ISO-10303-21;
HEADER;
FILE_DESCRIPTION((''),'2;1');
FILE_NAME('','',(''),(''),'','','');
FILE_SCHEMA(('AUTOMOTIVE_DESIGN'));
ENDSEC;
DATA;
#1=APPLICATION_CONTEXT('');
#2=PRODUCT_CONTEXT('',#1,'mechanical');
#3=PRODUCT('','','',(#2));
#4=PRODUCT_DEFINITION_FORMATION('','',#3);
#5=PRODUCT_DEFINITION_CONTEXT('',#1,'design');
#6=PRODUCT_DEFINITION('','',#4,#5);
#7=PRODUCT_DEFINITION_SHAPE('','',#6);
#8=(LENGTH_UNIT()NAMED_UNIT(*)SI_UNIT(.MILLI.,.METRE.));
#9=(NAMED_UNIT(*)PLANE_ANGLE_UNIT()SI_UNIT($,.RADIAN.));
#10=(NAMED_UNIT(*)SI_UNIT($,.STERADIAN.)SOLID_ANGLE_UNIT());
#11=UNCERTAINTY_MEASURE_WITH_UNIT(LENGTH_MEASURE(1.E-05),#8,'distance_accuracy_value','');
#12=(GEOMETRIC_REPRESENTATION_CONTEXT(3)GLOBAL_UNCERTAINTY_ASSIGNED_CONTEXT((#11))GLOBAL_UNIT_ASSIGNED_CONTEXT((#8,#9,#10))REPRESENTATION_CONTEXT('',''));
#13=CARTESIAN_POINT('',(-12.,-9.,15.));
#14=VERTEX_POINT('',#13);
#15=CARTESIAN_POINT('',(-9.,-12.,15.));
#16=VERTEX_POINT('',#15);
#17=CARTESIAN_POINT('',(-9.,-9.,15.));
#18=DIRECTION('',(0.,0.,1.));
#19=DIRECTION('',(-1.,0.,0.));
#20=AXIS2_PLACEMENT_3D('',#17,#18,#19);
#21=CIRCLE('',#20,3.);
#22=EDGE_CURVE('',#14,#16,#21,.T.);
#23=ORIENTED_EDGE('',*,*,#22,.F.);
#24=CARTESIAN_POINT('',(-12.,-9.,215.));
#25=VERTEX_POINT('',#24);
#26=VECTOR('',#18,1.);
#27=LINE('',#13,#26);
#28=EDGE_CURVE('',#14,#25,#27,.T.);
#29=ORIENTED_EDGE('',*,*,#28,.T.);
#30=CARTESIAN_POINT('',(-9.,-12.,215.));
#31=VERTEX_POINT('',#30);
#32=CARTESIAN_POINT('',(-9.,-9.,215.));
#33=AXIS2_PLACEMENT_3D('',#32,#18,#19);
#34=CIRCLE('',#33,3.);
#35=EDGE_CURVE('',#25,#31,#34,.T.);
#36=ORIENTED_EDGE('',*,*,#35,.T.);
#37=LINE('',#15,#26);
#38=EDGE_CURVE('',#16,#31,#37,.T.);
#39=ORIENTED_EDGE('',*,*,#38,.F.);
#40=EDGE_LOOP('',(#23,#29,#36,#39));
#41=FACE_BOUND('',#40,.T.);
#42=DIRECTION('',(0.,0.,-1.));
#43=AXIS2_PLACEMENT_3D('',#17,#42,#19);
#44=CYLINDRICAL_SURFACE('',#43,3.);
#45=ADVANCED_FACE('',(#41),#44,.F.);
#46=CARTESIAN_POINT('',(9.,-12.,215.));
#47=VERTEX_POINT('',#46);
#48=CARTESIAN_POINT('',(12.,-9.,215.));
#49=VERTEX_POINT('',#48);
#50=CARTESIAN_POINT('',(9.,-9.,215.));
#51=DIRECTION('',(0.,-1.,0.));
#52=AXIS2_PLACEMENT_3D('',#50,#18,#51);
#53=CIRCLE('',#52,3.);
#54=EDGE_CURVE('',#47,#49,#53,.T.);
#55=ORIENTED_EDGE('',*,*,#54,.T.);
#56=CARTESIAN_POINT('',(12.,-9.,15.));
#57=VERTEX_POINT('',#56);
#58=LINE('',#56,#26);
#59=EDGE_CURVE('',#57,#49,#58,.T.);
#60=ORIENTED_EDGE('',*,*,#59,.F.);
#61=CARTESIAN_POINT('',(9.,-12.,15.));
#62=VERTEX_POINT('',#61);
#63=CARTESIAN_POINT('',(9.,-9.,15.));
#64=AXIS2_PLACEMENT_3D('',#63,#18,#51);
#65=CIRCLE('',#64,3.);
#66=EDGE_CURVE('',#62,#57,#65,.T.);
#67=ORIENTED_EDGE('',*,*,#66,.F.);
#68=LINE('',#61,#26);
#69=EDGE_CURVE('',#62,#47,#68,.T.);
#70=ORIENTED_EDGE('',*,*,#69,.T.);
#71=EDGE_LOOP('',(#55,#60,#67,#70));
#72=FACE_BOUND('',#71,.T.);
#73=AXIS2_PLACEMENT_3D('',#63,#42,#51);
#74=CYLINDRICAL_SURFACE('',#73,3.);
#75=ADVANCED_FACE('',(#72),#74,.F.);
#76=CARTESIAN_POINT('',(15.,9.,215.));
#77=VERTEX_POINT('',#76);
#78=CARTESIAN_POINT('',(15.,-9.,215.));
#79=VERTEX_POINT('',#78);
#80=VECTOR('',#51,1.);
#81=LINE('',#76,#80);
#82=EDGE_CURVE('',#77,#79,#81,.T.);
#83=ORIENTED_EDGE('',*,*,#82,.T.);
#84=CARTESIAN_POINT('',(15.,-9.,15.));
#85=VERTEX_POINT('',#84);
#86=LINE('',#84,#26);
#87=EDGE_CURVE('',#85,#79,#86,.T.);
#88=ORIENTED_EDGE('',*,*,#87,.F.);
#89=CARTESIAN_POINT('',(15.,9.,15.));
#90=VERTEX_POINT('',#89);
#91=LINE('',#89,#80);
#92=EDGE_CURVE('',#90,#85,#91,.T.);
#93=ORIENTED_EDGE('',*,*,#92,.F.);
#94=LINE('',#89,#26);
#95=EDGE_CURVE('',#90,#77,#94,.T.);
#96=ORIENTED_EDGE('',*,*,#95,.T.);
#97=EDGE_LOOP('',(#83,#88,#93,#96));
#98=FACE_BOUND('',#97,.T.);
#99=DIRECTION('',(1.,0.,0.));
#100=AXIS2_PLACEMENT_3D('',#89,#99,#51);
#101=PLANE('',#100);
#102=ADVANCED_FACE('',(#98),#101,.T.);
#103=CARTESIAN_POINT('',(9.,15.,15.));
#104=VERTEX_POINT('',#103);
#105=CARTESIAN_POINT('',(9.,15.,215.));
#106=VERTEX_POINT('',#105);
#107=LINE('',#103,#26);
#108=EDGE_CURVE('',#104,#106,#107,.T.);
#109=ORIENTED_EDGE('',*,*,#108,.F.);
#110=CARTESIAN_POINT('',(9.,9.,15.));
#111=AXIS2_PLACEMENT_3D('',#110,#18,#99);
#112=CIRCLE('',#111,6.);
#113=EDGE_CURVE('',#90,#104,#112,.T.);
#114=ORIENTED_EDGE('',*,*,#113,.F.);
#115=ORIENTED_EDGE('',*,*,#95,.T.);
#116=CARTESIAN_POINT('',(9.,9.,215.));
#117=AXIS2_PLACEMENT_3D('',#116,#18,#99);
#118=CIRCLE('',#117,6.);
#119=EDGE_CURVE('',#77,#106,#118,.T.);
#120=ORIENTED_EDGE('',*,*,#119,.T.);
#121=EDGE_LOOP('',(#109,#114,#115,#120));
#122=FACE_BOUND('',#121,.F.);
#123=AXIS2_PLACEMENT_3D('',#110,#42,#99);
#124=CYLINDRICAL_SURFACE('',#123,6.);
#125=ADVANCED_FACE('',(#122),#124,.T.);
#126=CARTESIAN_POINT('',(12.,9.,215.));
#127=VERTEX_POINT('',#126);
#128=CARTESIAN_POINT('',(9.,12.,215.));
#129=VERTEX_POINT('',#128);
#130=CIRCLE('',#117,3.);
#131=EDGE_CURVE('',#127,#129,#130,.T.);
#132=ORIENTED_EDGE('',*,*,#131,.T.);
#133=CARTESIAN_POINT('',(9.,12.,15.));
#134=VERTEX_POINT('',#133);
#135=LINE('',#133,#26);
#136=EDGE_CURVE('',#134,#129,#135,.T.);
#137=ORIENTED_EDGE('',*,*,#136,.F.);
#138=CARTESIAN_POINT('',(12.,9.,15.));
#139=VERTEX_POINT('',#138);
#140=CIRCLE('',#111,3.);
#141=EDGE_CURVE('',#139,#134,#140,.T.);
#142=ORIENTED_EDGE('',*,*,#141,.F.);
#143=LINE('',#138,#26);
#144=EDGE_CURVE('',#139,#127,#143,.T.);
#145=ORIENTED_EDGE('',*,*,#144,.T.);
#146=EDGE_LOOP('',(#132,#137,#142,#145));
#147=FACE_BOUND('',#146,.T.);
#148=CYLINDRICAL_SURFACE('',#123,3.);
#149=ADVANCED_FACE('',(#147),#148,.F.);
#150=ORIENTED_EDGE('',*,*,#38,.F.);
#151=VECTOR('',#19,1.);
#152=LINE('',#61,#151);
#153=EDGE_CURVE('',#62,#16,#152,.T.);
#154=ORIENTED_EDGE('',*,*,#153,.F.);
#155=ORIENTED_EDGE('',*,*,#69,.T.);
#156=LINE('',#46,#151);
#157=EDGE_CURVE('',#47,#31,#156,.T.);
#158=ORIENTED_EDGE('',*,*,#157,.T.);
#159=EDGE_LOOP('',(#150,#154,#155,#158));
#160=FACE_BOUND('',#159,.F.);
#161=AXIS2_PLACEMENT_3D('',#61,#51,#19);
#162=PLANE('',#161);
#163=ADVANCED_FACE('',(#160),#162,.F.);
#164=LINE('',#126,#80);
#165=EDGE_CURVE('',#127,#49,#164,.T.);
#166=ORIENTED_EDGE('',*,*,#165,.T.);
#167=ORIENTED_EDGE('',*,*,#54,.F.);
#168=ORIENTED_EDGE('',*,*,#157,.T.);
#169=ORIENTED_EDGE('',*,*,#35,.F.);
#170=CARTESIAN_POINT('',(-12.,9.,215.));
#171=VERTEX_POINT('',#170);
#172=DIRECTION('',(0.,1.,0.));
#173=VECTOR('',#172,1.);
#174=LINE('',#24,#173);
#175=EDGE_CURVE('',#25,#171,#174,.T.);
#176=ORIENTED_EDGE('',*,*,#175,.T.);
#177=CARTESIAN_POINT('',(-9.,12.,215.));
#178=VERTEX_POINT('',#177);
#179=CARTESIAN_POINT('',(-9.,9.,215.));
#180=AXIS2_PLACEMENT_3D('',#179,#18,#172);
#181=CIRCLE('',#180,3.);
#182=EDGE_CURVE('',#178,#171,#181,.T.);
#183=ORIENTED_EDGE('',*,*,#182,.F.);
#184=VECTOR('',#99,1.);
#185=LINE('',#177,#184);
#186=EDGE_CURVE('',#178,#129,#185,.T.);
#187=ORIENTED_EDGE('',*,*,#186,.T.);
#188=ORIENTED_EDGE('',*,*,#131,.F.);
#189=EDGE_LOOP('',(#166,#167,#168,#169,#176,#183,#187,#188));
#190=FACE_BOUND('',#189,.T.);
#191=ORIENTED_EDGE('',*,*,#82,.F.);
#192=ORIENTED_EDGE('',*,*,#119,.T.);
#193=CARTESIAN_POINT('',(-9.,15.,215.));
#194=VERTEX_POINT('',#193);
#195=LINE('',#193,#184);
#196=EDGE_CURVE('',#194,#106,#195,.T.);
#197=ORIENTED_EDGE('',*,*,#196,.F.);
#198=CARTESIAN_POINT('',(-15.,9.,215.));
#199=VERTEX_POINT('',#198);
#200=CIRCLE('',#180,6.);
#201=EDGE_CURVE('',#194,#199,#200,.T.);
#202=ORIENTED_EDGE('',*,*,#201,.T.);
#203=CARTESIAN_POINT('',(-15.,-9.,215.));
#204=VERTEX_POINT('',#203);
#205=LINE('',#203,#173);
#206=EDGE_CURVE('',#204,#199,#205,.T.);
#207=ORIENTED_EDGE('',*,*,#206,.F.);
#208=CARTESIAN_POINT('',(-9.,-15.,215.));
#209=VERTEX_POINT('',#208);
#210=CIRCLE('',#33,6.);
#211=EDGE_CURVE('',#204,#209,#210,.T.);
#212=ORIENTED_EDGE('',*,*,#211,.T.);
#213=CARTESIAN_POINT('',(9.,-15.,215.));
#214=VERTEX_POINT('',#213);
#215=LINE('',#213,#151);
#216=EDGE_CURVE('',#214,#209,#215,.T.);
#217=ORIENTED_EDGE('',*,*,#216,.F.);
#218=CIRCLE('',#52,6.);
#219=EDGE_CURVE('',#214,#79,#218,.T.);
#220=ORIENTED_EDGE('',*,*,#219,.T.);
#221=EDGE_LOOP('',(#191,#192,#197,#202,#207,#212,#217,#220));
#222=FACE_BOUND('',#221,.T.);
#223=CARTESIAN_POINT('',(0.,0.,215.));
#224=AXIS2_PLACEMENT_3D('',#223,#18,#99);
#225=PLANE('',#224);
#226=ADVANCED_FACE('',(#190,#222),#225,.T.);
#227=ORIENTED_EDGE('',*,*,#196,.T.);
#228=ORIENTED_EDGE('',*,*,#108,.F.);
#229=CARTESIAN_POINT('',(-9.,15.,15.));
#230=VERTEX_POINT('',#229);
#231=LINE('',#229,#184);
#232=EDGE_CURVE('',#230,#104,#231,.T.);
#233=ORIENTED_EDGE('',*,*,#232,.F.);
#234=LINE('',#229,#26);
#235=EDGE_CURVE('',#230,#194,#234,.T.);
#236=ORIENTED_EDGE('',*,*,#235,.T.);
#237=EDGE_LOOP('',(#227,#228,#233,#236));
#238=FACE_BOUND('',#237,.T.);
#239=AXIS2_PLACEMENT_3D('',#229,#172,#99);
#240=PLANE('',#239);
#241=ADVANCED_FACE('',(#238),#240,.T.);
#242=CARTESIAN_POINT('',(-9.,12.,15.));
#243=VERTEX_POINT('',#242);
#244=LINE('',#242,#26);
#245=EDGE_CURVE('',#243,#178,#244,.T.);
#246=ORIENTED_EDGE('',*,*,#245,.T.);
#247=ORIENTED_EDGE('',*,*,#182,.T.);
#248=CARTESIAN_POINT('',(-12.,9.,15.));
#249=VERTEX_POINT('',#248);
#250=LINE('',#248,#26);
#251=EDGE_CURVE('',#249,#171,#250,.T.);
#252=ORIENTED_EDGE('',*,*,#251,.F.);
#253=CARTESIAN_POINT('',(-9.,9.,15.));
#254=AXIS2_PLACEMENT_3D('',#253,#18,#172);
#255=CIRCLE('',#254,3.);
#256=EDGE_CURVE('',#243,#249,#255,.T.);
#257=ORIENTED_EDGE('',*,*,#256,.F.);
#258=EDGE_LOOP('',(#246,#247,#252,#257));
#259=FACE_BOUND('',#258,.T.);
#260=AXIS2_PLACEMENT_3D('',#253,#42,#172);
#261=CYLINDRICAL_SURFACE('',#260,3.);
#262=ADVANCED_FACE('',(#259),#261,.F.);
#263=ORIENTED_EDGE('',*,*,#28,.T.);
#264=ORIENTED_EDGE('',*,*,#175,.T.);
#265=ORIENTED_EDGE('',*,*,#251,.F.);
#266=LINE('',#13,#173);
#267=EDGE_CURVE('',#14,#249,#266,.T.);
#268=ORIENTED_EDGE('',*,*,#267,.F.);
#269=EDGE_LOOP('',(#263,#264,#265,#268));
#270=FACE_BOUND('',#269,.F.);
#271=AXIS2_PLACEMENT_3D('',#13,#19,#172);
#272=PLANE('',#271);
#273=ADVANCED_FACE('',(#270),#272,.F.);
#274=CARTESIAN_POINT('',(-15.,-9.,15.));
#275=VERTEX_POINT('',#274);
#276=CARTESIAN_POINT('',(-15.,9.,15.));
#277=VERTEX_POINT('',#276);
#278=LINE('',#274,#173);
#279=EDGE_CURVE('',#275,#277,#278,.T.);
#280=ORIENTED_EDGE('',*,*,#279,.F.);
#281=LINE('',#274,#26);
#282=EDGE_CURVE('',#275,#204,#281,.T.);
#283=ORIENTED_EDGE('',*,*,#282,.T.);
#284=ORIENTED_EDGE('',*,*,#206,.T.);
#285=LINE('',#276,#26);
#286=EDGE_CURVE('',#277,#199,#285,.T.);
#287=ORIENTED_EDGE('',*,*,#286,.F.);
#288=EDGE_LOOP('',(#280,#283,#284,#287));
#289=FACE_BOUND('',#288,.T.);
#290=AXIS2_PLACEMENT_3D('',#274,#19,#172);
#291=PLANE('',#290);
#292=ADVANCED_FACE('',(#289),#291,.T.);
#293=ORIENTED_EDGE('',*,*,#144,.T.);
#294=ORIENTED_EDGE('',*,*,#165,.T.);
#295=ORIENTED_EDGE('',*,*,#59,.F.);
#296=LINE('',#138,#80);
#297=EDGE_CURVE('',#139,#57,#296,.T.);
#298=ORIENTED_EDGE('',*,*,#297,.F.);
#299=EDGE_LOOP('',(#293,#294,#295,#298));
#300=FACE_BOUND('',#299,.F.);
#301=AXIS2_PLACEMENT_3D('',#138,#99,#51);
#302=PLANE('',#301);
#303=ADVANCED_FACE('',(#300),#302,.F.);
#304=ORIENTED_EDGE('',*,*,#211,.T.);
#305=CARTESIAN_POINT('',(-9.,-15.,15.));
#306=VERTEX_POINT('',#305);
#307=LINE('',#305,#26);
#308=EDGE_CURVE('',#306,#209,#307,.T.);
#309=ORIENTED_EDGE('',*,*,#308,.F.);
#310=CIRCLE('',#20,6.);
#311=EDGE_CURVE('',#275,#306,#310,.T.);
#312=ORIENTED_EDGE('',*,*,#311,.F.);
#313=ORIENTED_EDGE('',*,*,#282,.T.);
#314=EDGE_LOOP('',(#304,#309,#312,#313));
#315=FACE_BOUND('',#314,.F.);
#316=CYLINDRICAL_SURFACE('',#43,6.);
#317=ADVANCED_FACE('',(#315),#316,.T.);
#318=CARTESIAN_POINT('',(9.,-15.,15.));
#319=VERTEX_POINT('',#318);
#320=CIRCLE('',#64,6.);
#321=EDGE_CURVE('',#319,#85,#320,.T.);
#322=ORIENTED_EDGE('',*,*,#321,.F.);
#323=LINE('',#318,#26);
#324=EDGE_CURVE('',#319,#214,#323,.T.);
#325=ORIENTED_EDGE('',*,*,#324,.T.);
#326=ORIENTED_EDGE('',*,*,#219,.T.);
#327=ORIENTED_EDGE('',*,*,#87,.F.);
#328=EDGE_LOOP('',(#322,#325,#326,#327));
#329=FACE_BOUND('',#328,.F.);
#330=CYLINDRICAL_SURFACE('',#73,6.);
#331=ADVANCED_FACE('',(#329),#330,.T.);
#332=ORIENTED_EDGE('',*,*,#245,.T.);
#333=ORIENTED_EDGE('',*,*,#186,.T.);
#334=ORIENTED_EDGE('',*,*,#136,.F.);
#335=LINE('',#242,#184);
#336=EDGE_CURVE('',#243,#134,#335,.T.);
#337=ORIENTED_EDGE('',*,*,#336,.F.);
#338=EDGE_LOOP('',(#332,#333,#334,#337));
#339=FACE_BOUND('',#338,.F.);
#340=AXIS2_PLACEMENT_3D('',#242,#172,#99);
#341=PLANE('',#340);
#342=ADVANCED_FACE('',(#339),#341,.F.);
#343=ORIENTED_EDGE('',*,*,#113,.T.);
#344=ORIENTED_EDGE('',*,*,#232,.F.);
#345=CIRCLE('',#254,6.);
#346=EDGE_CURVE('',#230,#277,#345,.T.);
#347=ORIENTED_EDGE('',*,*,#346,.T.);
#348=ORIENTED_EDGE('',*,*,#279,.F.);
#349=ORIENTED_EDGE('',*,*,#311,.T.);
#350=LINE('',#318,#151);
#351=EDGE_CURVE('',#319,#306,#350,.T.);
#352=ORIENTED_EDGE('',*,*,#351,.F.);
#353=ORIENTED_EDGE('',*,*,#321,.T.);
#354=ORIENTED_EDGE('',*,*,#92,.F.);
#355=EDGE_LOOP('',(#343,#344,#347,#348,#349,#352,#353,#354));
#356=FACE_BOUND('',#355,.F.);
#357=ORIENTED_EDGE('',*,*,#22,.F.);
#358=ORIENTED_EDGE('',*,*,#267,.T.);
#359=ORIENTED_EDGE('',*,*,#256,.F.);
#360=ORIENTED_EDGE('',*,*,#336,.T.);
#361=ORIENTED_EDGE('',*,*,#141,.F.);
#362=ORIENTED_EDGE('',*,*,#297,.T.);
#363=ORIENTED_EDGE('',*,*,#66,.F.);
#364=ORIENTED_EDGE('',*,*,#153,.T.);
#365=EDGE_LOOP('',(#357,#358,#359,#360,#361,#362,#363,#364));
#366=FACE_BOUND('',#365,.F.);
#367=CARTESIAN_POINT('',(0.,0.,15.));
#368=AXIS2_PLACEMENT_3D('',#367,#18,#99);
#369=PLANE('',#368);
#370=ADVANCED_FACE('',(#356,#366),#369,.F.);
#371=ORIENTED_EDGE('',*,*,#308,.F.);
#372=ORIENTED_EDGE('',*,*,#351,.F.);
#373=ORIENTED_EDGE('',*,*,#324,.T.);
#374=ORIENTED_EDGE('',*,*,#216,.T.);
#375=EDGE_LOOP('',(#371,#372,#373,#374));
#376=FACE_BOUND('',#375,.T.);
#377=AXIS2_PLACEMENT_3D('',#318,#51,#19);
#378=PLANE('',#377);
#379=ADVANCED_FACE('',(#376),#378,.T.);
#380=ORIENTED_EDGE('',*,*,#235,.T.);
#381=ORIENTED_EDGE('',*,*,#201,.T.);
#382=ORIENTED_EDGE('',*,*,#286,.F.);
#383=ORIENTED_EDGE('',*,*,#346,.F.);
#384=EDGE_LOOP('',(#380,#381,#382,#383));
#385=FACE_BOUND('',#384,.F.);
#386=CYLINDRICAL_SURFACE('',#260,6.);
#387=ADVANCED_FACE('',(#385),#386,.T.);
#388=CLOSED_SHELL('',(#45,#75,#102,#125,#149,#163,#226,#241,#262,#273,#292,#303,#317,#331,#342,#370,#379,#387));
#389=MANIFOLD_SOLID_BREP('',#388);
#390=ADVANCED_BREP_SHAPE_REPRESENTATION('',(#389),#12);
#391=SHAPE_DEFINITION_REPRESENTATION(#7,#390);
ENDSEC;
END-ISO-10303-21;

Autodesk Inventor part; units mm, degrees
ref_plane "Start Plane" through (0, 0, 15) normal (0, 0, 1) x (1, 0, 0)
ref_plane "End Plane" through (0, 0, 215) normal (0, 0, 1) x (1, 0, 0)
sketch "Sketch" plane through (0, 0, 0) normal (0, 0, 1) x (1, 0, 0)
  line L0 (-15, -9) -> (-15, 9)
  line L1 (-9, 15) -> (9, 15)
  line L2 (15, 9) -> (15, -9)
  line L3 (9, -15) -> (-9, -15)
  arc A0 (-15, -9) -> (-9, -15) centre (-9, -9) ccw
  arc A1 (-9, 15) -> (-15, 9) centre (-9, 9) ccw
  arc A2 (15, 9) -> (9, 15) centre (9, 9) ccw
  arc A3 (9, -15) -> (15, -9) centre (9, -9) ccw
  arc A4 (-9, 12) -> (-12, 9) centre (-9, 9) ccw
  line L4 (-9, 12) -> (9, 12)
  arc A5 (12, 9) -> (9, 12) centre (9, 9) ccw
  line L5 (12, 9) -> (12, -9)
  arc A6 (9, -12) -> (12, -9) centre (9, -9) ccw
  line L6 (9, -12) -> (-9, -12)
  arc A7 (-12, -9) -> (-9, -12) centre (-9, -9) ccw
  line L7 (-12, -9) -> (-12, 9)
  line L8 (0, 22.7397) -> (0, -22.7397) construction
  line L9 (-22.7397, 0) -> (22.7397, 0) construction
  dimension "d7" = 6
  dimension "d10" = 30
  dimension "d11" = 30
  dimension "d12" = 3
  dimension "d15" = 15
  dimension "d16" = 15
extrude "Body" add sketch "Sketch" along normal up to surface (200 mm away) from surface at 15
sketch "Sketch3" plane through (0, 0, 0) normal (0, 0, 1) x (1, 0, 0)
  line L0 (0, 0) -> (10, 0)
ref_plane "Work Plane3" through (0, 0, 0) normal (0, -1, 0) x (1, 0, 0)
ref_plane "Work Plane4" through (-9, -500, 215) normal (0, 0, 1) x (1, 0, 0)
split "Split1" plane through (-9, -500, 215) removes the side toward (0, 0, 1)
ref_plane "Work Plane5" through (9, -500, 15) normal (0, 0, -1) x (-1, 0, 0)
split "Split2" plane through (9, -500, 15) removes the side toward (0, 0, -1)
sketch "Sketch4" plane through (0, 0, 0) normal (0, -1, 0) x (1, 0, 0)
  line L0 (-2, 15) -> (12, 15) projected
  line L1 (-2, 215) -> (12, 215) projected
  dimension "d18" = 200
equation "\"d7\" = G_IR"
equation "\"d10\" = G_H"
equation "\"d11\" = G_W"
equation "\"d12\" = G_T"
equation "\"d15\" = 0.5 * d10"
equation "\"d16\" = 0.5 * d11"
equation "\"d3\" = G_L"
equation "\"G_W\" = 30"
equation "\"G_H\" = 30"
equation "\"G_T\" = 3"
equation "\"G_IR\" = 6"
equation "\"G_L\" = d18"
equation "\"G_OFFSET_START\" = -15"
equation "\"G_OFFSET_END\" = -15"
equation "\"d13\" = -G_OFFSET_START"
equation "\"d14\" = G_OFFSET_END + B_L"
equation "\"B_L\" = 230"
properties part number "DIN EN 10219-2 - 30 x 30 x 3  - 200" material "Steel, Mild"
